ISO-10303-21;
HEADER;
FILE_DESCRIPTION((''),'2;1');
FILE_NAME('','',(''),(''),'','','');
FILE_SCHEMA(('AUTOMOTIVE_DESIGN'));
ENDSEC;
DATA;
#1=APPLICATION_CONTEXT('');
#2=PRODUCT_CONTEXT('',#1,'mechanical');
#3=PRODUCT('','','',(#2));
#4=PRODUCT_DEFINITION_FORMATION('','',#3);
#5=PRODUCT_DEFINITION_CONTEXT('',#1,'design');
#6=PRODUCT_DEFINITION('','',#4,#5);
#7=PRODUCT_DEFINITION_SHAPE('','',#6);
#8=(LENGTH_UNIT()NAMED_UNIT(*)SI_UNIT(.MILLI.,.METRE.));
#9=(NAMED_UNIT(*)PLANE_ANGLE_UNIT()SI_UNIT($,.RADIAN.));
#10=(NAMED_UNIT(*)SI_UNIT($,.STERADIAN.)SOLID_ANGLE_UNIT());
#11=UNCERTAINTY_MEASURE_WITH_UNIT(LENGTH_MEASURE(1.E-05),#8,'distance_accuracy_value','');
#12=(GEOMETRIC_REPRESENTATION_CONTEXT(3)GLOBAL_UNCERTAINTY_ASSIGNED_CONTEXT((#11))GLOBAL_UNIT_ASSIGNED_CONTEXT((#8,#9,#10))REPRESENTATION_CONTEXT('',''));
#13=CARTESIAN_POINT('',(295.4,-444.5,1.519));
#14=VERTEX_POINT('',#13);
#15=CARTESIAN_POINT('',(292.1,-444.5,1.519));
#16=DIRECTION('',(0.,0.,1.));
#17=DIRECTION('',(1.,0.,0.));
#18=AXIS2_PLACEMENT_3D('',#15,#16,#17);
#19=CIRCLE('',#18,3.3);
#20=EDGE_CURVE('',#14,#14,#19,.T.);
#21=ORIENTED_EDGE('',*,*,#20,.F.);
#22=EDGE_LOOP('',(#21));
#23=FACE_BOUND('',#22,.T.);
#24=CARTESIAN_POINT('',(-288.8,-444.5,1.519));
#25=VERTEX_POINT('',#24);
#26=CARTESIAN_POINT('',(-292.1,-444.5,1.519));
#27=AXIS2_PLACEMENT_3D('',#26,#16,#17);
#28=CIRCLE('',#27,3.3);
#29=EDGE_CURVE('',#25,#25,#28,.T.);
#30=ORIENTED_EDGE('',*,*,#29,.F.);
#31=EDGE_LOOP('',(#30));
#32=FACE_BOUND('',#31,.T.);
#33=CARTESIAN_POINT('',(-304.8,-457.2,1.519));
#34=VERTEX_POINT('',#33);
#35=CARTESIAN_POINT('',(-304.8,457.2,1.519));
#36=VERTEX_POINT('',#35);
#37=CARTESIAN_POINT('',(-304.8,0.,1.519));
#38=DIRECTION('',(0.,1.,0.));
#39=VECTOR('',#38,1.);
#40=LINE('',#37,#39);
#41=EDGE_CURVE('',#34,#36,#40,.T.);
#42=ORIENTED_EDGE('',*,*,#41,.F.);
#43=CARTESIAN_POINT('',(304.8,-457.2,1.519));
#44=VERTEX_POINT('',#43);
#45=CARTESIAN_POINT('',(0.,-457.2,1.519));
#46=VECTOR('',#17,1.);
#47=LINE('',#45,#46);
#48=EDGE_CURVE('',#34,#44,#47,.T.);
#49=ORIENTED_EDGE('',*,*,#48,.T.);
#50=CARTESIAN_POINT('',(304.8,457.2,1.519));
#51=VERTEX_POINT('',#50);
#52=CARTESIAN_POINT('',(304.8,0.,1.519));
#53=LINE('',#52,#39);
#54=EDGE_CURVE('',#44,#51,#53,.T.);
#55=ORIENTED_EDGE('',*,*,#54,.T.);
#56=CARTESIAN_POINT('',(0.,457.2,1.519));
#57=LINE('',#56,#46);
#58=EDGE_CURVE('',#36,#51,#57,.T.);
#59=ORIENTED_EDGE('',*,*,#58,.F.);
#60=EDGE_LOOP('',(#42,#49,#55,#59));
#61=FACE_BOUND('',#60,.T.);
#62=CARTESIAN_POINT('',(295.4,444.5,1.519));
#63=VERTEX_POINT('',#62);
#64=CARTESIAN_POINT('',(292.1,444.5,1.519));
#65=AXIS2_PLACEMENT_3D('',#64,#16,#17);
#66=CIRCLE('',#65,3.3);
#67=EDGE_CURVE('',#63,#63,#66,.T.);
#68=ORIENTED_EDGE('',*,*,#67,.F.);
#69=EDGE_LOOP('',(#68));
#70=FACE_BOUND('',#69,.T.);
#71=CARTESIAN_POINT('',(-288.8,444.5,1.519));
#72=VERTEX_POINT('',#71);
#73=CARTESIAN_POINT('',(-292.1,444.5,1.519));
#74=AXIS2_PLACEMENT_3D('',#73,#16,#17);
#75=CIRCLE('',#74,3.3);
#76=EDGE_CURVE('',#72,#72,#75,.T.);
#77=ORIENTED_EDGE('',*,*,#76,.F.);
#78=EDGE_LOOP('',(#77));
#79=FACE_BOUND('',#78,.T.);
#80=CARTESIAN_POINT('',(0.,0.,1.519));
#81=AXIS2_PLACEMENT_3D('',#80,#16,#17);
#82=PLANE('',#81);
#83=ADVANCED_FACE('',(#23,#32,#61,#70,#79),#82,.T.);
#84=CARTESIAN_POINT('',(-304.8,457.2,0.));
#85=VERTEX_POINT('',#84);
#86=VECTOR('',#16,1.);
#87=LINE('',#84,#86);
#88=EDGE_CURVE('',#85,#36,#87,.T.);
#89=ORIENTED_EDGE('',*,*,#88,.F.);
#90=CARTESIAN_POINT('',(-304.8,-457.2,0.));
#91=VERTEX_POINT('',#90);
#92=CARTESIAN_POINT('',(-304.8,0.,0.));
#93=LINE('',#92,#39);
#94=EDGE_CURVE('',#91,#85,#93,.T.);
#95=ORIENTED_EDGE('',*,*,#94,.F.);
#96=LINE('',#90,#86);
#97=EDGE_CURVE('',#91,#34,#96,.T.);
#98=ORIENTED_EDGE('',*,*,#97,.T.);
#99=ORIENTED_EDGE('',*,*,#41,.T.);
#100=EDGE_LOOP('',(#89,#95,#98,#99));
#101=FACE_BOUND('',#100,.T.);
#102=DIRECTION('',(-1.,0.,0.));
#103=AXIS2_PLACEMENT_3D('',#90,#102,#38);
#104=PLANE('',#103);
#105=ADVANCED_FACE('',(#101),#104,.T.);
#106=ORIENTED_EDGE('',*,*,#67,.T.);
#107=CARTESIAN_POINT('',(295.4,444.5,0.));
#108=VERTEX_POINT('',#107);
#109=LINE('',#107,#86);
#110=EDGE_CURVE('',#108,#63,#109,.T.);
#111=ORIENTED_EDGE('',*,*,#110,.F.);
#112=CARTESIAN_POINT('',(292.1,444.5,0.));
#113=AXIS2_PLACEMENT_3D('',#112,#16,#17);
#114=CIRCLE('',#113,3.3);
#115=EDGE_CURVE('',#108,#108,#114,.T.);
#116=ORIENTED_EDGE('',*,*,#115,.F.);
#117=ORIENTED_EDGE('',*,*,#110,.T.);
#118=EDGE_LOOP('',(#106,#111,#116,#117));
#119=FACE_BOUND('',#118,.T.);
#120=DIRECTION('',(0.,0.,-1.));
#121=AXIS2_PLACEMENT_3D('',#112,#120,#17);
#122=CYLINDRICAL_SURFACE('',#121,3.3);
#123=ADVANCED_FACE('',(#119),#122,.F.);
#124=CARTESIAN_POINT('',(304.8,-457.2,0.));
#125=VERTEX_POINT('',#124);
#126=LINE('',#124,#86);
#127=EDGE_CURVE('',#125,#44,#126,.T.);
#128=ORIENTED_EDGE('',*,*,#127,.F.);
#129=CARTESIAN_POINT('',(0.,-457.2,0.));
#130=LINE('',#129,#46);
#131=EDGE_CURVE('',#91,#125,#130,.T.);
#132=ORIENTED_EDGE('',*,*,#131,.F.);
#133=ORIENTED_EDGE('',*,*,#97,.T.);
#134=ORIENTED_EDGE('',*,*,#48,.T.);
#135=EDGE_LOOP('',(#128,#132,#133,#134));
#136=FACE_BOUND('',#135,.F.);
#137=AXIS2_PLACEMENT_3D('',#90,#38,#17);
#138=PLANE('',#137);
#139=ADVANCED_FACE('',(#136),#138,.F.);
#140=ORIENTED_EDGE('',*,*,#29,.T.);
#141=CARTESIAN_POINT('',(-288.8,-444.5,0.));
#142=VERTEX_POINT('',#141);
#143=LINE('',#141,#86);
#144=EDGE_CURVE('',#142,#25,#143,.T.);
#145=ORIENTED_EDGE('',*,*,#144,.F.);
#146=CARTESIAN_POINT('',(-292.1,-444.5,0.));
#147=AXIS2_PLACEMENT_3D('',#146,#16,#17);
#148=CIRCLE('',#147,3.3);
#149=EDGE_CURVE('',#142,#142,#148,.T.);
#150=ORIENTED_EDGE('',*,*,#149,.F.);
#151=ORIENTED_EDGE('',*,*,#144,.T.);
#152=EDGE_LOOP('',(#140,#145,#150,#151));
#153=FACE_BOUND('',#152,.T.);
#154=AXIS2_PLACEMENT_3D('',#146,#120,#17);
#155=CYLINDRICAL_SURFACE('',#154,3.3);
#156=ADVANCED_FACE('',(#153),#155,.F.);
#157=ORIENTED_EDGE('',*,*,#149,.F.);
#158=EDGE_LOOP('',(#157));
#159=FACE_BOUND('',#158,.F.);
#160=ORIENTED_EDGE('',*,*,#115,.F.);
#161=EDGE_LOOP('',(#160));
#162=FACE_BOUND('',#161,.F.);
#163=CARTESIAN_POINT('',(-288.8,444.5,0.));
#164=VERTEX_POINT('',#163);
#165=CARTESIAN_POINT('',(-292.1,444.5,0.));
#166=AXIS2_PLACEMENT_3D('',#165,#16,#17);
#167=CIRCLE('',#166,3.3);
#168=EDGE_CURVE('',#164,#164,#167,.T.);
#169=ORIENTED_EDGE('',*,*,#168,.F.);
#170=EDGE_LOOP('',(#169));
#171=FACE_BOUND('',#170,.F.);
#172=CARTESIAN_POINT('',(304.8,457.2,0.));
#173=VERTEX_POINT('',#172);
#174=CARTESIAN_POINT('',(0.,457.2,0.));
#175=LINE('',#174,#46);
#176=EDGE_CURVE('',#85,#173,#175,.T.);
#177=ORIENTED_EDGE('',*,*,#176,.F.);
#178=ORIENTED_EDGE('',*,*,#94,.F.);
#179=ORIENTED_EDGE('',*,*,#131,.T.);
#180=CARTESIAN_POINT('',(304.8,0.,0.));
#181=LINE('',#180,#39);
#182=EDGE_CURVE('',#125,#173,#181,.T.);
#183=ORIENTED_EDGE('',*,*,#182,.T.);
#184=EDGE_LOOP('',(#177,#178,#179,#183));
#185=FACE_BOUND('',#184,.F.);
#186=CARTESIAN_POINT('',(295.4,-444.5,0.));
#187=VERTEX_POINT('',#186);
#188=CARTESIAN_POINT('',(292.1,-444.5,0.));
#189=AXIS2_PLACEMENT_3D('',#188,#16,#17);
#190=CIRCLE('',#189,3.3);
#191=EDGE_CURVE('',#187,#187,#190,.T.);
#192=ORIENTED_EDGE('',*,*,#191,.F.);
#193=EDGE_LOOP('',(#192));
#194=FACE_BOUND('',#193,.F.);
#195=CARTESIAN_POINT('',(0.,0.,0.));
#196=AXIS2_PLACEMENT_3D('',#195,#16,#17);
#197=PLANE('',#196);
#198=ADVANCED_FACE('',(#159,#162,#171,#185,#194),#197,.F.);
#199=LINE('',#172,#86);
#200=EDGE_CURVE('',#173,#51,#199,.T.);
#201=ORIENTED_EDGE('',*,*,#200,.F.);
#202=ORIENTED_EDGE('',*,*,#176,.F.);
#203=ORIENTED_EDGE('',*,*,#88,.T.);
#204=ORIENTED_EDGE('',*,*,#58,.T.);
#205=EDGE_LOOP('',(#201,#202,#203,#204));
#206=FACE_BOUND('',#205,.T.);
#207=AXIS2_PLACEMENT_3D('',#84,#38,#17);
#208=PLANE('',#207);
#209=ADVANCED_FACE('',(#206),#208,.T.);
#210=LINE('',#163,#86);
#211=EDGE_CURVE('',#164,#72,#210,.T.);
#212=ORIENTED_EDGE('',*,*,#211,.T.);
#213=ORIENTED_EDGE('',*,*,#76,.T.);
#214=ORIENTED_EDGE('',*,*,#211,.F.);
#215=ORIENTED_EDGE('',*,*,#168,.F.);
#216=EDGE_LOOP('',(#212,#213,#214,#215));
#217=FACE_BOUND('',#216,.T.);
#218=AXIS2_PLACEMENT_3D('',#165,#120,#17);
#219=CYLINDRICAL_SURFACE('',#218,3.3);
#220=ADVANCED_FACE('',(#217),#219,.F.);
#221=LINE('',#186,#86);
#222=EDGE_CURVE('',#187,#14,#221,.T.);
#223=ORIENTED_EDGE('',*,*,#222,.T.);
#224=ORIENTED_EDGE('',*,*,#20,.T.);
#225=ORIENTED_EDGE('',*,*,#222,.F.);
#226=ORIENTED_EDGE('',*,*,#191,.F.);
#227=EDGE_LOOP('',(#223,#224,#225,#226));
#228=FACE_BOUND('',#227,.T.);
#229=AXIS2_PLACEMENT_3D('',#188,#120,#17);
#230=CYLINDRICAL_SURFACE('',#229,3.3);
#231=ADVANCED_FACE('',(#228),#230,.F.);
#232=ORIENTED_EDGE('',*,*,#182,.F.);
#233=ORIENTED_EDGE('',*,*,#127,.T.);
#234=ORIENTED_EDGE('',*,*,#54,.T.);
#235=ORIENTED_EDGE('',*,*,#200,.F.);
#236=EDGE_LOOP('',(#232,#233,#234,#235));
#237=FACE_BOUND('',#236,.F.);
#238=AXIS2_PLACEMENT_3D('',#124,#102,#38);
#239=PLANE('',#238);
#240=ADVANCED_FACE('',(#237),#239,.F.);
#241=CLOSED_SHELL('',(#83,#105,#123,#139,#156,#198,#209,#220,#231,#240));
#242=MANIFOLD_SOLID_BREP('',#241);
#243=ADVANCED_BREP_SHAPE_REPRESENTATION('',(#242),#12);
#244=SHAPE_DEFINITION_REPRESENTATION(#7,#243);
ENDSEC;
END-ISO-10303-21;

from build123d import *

# Parameters (mm, degrees)
SKETCH_W  = 609.6
SKETCH_H  = 914.4
SKETCH_R  = 3.3
PAD_DEPTH = 1.519


with BuildPart() as part:
    # Sketch → Pad (new body)
    with BuildSketch(Plane.XY):
        Rectangle(SKETCH_W, SKETCH_H)
        with Locations((292.1, 444.5)):
            Circle(SKETCH_R, mode=Mode.SUBTRACT)
        with Locations((-292.1, 444.5)):
            Circle(SKETCH_R, mode=Mode.SUBTRACT)
        with Locations((-292.1, -444.5)):
            Circle(SKETCH_R, mode=Mode.SUBTRACT)
        with Locations((292.1, -444.5)):
            Circle(SKETCH_R, mode=Mode.SUBTRACT)
    extrude(amount=PAD_DEPTH)


solid = part.part
